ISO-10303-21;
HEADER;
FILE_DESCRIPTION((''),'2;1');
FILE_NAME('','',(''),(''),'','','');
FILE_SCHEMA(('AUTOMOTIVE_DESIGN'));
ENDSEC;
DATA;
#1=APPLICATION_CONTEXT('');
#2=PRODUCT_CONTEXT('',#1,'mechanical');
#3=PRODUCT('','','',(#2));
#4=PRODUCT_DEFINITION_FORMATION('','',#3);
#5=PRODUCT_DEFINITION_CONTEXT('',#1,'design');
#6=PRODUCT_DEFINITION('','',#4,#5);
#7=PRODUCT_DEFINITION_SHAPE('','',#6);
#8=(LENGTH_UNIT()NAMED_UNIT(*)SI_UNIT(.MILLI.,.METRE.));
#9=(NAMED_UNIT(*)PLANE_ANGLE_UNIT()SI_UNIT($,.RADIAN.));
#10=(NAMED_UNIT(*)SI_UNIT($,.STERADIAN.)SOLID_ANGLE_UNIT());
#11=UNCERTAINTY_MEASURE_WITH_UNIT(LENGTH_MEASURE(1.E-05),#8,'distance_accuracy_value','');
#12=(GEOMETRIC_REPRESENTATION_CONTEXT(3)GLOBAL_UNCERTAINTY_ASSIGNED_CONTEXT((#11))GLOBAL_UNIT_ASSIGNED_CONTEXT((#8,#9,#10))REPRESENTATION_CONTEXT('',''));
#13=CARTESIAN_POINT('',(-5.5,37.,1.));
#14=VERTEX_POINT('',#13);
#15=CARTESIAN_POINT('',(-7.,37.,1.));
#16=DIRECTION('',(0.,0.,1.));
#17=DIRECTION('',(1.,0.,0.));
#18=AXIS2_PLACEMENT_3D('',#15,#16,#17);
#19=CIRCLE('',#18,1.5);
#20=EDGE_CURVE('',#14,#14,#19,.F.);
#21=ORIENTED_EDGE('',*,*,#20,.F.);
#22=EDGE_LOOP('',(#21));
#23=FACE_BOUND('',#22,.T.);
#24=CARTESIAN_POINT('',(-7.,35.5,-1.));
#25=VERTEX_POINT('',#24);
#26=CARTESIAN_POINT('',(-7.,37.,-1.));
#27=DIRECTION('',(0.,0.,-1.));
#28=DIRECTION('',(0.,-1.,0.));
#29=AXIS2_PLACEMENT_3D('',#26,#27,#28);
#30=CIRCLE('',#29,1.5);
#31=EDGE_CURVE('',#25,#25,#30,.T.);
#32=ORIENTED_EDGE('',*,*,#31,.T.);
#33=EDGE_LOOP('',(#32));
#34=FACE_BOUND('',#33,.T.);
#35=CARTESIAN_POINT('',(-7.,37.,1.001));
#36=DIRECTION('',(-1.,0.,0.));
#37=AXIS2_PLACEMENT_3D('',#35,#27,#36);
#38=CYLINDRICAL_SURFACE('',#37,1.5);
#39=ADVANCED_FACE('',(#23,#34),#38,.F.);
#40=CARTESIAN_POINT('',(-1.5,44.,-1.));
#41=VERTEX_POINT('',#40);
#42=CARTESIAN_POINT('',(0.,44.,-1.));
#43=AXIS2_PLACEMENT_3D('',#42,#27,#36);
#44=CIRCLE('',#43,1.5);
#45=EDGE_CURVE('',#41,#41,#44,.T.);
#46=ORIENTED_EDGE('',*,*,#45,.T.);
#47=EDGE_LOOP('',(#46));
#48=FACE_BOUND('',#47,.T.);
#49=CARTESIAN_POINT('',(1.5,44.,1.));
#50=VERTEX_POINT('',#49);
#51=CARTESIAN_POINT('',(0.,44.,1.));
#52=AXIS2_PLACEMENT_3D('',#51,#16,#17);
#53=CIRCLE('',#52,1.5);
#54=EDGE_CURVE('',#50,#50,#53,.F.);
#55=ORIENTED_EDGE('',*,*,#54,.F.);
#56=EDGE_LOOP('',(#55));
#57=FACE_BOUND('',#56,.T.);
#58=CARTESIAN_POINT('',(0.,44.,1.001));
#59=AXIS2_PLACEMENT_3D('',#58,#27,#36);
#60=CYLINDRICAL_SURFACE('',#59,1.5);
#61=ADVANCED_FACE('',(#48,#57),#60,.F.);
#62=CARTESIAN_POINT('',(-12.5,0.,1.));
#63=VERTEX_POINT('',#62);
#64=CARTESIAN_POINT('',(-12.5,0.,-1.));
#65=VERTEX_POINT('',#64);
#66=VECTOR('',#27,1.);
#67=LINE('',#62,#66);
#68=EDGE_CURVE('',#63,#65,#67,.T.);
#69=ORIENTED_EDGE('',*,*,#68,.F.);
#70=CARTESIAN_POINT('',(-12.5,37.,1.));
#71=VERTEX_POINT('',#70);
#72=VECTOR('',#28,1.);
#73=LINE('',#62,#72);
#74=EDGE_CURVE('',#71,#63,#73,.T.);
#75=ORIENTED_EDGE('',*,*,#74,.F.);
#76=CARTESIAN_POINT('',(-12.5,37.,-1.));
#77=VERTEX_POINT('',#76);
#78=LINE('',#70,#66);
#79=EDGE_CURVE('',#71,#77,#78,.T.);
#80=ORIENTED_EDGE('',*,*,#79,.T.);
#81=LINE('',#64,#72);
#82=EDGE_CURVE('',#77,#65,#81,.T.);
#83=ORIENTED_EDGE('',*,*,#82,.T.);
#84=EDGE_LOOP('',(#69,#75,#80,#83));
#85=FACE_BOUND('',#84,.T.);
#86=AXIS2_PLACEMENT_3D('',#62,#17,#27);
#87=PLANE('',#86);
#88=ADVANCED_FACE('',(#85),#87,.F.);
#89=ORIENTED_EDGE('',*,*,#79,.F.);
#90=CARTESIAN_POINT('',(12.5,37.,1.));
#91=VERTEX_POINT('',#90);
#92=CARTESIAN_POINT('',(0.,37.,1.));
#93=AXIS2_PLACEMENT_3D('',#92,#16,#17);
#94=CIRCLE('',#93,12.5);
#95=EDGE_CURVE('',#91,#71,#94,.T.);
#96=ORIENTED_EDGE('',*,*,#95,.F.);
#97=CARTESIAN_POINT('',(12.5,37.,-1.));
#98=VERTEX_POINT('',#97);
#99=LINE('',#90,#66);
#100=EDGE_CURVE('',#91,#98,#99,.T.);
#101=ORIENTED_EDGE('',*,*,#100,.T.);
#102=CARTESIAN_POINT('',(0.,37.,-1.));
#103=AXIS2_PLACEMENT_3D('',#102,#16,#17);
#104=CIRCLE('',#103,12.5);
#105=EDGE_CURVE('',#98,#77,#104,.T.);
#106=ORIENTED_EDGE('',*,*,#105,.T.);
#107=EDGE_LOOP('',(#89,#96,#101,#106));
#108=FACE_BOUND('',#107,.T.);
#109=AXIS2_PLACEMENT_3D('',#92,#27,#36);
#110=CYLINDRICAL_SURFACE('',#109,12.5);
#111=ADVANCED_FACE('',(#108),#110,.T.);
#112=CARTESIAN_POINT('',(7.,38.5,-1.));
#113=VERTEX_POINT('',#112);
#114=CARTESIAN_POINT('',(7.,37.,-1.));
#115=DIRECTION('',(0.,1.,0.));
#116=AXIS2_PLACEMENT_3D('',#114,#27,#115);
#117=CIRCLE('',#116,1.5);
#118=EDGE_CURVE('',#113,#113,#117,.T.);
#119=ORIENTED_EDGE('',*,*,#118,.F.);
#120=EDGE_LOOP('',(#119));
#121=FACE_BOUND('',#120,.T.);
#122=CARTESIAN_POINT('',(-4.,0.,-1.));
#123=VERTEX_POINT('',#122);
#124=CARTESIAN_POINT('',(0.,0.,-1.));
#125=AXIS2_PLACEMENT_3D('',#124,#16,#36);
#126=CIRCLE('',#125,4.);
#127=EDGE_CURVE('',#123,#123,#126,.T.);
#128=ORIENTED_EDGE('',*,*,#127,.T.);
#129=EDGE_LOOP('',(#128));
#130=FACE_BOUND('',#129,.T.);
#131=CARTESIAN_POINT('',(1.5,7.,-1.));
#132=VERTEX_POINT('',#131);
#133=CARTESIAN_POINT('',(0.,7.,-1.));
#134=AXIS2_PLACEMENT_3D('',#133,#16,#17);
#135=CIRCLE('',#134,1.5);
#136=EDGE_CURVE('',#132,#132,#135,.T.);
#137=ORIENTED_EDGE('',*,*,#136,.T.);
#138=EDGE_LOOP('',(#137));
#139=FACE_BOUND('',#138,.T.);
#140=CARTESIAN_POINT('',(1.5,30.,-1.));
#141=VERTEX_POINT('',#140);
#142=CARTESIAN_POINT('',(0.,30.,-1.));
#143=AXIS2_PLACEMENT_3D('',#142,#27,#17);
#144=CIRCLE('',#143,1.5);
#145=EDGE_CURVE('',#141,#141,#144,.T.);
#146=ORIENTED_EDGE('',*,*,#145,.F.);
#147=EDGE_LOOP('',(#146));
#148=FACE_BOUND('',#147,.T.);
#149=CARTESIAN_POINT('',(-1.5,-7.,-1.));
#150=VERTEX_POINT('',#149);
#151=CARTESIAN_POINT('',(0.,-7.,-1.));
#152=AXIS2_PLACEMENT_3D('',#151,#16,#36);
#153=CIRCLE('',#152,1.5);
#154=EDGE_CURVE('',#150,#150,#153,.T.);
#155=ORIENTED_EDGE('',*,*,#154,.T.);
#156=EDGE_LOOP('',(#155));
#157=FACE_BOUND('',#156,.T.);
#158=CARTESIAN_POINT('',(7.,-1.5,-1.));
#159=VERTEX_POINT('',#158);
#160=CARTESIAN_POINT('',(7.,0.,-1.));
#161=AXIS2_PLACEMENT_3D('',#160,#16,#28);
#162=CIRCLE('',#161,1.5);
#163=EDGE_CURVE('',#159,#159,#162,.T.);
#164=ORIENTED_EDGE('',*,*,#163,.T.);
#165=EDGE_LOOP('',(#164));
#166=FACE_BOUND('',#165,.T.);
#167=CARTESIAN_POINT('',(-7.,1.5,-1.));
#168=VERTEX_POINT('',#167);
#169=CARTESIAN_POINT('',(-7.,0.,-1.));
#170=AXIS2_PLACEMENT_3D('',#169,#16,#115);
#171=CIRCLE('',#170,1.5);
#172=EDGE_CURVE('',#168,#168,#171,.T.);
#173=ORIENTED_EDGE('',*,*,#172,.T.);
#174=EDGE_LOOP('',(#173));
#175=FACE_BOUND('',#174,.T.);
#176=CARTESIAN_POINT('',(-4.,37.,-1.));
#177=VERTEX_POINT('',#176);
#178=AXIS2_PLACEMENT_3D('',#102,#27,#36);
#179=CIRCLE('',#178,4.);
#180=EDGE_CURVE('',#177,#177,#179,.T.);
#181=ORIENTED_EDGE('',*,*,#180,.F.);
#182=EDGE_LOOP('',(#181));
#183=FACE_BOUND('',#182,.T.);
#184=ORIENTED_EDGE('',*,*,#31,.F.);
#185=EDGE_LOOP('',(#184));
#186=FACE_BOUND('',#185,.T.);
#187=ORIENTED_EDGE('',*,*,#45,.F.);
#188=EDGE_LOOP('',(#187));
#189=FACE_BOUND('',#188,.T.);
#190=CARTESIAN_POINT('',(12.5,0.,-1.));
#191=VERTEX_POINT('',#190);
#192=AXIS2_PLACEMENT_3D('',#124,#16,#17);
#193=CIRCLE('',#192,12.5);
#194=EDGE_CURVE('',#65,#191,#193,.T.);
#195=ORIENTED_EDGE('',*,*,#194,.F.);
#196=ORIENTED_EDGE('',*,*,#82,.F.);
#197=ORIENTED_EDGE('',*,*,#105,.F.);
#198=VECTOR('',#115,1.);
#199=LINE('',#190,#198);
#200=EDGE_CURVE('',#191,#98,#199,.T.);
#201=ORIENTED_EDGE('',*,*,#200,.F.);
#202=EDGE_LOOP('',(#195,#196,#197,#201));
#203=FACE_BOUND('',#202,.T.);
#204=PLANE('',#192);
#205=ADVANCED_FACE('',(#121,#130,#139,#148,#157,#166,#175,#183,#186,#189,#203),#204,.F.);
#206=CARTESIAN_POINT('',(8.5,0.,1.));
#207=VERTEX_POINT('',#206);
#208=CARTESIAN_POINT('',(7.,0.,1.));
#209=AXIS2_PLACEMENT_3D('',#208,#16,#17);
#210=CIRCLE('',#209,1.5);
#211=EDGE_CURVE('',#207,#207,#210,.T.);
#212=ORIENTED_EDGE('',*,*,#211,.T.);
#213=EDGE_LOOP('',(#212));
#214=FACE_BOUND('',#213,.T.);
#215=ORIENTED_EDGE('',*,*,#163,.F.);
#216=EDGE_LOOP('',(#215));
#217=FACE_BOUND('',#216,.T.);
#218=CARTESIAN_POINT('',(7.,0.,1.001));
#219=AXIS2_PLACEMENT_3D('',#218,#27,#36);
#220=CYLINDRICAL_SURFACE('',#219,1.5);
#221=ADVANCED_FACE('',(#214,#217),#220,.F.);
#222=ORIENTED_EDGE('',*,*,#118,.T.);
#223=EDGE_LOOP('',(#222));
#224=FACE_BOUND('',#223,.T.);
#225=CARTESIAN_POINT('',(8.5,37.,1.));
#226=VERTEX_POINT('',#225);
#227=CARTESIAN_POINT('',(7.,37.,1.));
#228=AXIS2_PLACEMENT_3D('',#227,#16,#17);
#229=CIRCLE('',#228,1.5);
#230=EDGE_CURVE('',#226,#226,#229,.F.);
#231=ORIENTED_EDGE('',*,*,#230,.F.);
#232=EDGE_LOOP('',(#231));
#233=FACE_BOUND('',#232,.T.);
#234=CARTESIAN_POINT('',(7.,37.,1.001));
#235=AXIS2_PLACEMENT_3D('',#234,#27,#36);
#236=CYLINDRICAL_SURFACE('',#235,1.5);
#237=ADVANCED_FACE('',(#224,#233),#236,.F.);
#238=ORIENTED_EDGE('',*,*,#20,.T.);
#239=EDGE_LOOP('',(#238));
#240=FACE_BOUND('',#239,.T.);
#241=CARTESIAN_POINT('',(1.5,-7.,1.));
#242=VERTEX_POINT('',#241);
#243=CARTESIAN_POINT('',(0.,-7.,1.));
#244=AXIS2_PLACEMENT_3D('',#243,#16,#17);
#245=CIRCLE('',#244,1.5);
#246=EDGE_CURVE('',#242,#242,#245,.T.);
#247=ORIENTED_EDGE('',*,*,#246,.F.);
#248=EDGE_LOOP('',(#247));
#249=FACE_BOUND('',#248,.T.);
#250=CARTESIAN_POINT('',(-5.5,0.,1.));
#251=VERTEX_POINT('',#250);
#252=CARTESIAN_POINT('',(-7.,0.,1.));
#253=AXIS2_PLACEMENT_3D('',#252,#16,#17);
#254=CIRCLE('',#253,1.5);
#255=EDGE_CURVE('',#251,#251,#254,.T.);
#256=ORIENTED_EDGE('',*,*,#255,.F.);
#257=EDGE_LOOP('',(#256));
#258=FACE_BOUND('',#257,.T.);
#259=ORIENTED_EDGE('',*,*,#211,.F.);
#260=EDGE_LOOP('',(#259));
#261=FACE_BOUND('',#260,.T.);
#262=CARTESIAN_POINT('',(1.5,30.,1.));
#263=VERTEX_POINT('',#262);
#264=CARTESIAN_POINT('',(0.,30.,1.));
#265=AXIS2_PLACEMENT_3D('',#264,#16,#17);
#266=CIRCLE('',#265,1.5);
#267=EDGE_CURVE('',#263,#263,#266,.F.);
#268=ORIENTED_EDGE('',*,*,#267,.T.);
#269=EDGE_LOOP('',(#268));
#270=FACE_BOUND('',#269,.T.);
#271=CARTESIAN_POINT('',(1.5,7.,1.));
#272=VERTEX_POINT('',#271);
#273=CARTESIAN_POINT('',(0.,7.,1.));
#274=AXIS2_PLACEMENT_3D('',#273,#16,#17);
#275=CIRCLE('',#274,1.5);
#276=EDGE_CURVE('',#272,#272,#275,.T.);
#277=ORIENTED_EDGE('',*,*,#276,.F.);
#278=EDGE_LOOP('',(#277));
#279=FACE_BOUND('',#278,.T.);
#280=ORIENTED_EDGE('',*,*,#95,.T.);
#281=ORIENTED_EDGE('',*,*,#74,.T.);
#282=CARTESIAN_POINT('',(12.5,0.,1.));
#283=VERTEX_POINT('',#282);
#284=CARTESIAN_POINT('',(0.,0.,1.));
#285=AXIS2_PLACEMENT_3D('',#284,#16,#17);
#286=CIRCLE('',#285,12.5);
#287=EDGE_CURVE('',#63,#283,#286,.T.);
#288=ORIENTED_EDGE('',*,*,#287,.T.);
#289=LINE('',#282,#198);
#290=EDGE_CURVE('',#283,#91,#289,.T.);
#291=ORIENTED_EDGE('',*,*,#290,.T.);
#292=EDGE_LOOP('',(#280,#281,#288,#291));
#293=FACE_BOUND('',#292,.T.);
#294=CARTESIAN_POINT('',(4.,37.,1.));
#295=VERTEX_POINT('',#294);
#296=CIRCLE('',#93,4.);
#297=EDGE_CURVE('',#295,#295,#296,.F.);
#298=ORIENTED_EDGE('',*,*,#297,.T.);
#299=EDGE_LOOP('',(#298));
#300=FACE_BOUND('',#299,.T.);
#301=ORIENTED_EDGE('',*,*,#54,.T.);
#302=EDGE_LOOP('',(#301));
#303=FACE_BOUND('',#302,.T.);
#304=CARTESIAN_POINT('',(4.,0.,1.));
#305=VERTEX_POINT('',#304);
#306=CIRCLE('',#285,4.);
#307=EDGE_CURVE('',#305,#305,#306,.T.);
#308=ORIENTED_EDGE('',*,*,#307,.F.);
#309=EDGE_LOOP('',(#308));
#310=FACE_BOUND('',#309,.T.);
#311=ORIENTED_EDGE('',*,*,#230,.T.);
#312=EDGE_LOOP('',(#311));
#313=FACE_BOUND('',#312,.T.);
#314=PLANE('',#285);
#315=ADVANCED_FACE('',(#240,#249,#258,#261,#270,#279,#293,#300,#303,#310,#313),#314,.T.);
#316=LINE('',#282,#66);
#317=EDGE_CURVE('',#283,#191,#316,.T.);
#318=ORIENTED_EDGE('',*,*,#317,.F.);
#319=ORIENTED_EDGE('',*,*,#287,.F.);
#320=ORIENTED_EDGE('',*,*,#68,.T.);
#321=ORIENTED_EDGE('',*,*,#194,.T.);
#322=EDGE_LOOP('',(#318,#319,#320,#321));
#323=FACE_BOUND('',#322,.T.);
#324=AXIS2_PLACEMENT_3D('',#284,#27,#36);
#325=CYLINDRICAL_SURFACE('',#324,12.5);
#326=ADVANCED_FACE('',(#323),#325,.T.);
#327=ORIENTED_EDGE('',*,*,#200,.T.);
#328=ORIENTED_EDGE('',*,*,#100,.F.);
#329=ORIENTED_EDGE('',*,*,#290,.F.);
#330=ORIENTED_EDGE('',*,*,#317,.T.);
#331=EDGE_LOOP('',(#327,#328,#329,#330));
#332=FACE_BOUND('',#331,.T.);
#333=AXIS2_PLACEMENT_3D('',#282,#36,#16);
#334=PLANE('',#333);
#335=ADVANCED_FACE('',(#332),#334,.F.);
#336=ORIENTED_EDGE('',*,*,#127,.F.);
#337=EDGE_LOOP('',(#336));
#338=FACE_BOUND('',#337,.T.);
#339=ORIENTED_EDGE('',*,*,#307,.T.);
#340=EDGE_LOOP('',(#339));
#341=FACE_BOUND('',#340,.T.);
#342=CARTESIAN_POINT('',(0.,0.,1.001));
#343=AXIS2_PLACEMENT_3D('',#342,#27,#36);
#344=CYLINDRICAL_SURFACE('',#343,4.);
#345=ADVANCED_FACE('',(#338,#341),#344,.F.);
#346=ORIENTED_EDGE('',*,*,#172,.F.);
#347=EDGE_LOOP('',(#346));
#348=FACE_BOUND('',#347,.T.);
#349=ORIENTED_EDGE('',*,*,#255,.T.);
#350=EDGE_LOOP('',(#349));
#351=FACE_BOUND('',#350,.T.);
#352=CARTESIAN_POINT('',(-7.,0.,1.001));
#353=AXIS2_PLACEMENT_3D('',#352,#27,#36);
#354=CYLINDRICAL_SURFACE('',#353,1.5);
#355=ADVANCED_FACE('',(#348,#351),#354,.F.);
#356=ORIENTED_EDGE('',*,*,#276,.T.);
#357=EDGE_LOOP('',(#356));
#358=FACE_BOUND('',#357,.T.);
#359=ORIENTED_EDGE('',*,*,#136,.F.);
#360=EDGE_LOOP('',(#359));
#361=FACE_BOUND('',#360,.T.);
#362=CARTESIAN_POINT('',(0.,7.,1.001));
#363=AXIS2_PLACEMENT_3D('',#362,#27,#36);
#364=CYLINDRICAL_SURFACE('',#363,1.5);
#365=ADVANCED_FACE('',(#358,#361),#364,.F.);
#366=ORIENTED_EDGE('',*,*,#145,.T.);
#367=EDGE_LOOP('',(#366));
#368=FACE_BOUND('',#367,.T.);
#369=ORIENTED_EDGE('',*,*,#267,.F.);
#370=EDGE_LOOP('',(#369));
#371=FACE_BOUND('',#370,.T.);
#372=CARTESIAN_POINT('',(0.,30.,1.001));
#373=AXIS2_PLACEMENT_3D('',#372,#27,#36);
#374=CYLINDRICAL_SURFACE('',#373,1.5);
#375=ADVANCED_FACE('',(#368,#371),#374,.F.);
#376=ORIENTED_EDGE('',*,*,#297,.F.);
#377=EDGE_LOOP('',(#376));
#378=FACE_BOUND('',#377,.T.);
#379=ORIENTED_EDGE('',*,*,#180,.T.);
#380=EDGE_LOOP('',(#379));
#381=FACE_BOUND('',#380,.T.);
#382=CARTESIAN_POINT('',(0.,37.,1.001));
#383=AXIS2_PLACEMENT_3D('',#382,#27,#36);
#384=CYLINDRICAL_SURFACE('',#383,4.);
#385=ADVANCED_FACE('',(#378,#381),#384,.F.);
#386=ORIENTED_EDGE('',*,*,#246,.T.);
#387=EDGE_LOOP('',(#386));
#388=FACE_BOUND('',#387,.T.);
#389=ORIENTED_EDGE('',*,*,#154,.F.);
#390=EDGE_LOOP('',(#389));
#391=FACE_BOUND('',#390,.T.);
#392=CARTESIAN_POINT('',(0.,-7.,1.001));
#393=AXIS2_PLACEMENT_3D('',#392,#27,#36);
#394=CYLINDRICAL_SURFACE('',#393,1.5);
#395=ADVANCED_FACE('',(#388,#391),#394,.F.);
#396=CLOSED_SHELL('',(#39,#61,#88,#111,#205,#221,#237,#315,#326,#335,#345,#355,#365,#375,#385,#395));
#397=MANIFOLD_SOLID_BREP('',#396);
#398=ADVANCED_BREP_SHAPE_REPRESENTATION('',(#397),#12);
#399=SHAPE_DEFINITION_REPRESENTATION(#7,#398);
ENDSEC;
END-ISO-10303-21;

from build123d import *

# Parameters (mm, degrees)
BOSS_EXTRUDE1_DEPTH     = 1
CUT_EXTRUDE1_REACH      = 53.093
SKETCH2_R               = 4
CUT_EXTRUDE2_REACH      = 53.093
SKETCH2_3_R             = 1.5
CIRPATTERN1_COUNT       = 4
MIRROR1_COPY_1_REACH    = 53.093
MIRROR1_COPY_1_SKETCH_R = 1.5
MIRROR1_COPY_2_REACH    = 53.093
MIRROR1_COPY_2_SKETCH_R = 1.5
MIRROR1_COPY_3_REACH    = 53.093
MIRROR1_COPY_3_SKETCH_R = 1.5


with BuildPart() as part:
    # Sketch1 → Boss-Extrude1 (new, symmetric)
    with BuildSketch(Plane.XY):
        with BuildLine():
            Line((-12.5, 0), (-12.5, 37))
            ThreePointArc((-12.5, 37), (0, 49.5), (12.5, 37))
            Line((12.5, 37), (12.5, 0))
            ThreePointArc((12.5, 0), (0, -12.5), (-12.5, 0))
        make_face()
    extrude(amount=BOSS_EXTRUDE1_DEPTH, both=True)

    # Sketch2 → Cut-Extrude1 (cut, up to next)
    with BuildSketch(Plane(origin=(0, 0, -1), x_dir=(-1, 0, 0), z_dir=(0, 0, -1)), mode=Mode.PRIVATE) as cut_extrude1_sk1:
        with Locations((0, 37)):
            Circle(SKETCH2_R)
    cut_extrude1_tool1 = extrude(cut_extrude1_sk1.sketch, amount=-CUT_EXTRUDE1_REACH, mode=Mode.PRIVATE) & part.part
    cut_extrude1 = cut_extrude1_tool1.solids().sort_by_distance((0, 37, -1))[0]
    add(cut_extrude1, mode=Mode.SUBTRACT)

    # Sketch2<3> → Cut-Extrude2 (cut, up to next)
    with BuildSketch(Plane(origin=(0, 0, -1), x_dir=(-1, 0, 0), z_dir=(0, 0, -1)), mode=Mode.PRIVATE) as cut_extrude2_sk1:
        with Locations((0, 44)):
            Circle(SKETCH2_3_R)
    cut_extrude2_tool1 = extrude(cut_extrude2_sk1.sketch, amount=-CUT_EXTRUDE2_REACH, mode=Mode.PRIVATE) & part.part
    cut_extrude2 = cut_extrude2_tool1.solids().sort_by_distance((0, 44, -1))[0]
    add(cut_extrude2, mode=Mode.SUBTRACT)

    # CirPattern1: Cut-Extrude2 ×4 about axis
    cirpattern1_axis = Axis((0, 37, -1), (0, 0, -1))
    for i in range(1, CIRPATTERN1_COUNT):
        add(cut_extrude2.rotate(cirpattern1_axis, i * 360 / CIRPATTERN1_COUNT), mode=Mode.SUBTRACT)

    # Mirror1: Cut-Extrude1, Cut-Extrude2 across plane
    add(cut_extrude1.mirror(Plane.ZX.offset(18.5)), mode=Mode.SUBTRACT)
    add(cut_extrude2.mirror(Plane.ZX.offset(18.5)), mode=Mode.SUBTRACT)

    # Mirror1 copy 1 sketch → Mirror1 copy 1 (cut, up to next)
    with BuildSketch(Plane(origin=(-37, 0, -1), x_dir=(0, -1, 0), z_dir=(0, 0, -1)), mode=Mode.PRIVATE) as mirror1_copy_1_sk1:
        with Locations((0, -44)):
            Circle(MIRROR1_COPY_1_SKETCH_R)
    mirror1_copy_1_tool1 = extrude(mirror1_copy_1_sk1.sketch, amount=-MIRROR1_COPY_1_REACH, mode=Mode.PRIVATE) & part.part
    add(mirror1_copy_1_tool1.solids().sort_by_distance((7, 0, -1))[0], mode=Mode.SUBTRACT)

    # Mirror1 copy 2 sketch → Mirror1 copy 2 (cut, up to next)
    with BuildSketch(Plane(origin=(0, -37, -1), x_dir=(1, 0, 0), z_dir=(0, 0, -1)), mode=Mode.PRIVATE) as mirror1_copy_2_sk1:
        with Locations((0, -44)):
            Circle(MIRROR1_COPY_2_SKETCH_R)
    mirror1_copy_2_tool1 = extrude(mirror1_copy_2_sk1.sketch, amount=-MIRROR1_COPY_2_REACH, mode=Mode.PRIVATE) & part.part
    add(mirror1_copy_2_tool1.solids().sort_by_distance((0, 7, -1))[0], mode=Mode.SUBTRACT)

    # Mirror1 copy 3 sketch → Mirror1 copy 3 (cut, up to next)
    with BuildSketch(Plane(origin=(37, 0, -1), x_dir=(0, 1, 0), z_dir=(0, 0, -1)), mode=Mode.PRIVATE) as mirror1_copy_3_sk1:
        with Locations((0, -44)):
            Circle(MIRROR1_COPY_3_SKETCH_R)
    mirror1_copy_3_tool1 = extrude(mirror1_copy_3_sk1.sketch, amount=-MIRROR1_COPY_3_REACH, mode=Mode.PRIVATE) & part.part
    add(mirror1_copy_3_tool1.solids().sort_by_distance((-7, 0, -1))[0], mode=Mode.SUBTRACT)


solid = part.part
